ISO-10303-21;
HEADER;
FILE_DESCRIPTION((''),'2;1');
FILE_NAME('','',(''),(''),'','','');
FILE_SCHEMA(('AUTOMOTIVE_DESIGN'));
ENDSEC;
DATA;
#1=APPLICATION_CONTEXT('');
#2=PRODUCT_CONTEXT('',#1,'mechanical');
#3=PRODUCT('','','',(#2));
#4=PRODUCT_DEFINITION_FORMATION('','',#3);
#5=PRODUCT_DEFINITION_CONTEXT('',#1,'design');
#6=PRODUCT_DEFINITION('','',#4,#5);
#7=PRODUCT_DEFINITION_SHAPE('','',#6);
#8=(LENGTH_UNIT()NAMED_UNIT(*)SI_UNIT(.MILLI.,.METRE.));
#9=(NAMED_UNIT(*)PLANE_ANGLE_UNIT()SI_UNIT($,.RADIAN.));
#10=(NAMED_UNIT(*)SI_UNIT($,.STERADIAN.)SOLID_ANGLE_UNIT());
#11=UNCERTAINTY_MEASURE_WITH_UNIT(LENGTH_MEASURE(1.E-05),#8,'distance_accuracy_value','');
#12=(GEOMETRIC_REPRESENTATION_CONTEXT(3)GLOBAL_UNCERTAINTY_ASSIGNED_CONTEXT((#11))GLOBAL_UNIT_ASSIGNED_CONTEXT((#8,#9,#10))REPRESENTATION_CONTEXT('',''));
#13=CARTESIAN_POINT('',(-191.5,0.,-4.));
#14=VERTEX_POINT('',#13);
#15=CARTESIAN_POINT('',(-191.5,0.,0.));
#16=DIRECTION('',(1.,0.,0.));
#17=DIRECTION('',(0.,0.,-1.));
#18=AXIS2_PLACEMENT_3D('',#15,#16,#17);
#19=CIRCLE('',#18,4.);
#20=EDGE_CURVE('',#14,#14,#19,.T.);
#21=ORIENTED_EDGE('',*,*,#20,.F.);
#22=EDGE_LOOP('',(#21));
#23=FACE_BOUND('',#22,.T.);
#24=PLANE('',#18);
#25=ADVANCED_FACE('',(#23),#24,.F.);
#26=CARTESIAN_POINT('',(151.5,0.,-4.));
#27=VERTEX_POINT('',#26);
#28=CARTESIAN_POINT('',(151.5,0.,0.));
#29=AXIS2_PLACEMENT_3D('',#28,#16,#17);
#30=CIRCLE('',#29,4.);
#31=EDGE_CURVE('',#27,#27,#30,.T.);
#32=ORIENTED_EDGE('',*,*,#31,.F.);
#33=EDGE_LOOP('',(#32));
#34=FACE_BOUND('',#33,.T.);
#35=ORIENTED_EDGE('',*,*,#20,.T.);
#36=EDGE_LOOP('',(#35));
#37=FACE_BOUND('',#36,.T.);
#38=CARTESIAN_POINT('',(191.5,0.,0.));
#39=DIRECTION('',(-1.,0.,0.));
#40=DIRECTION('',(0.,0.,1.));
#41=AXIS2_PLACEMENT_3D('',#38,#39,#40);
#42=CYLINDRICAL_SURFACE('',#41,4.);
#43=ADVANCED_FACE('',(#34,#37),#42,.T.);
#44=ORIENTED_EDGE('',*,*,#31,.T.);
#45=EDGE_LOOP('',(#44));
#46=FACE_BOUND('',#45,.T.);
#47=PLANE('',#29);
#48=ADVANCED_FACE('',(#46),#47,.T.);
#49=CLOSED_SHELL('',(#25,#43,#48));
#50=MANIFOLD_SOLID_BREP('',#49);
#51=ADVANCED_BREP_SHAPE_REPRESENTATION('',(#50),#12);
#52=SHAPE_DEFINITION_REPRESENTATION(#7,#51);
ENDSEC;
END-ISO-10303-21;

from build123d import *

# Parameters (mm, degrees)
SKETCH_1_R          = 4
EXTRUDE_1_DEPTH     = 191.5
SKETCH_4_R          = 4
CUT_EXTRUDE_2_DEPTH = 40


with BuildPart() as part:
    # 草图1 → 凸台-拉伸1 (new, symmetric)
    with BuildSketch(Plane(origin=(0, 0, 0), x_dir=(0, 0, -1), z_dir=(1, 0, 0))):
        Circle(SKETCH_1_R)
    extrude(amount=EXTRUDE_1_DEPTH, both=True)

    # 草图4 → 切除-拉伸2 (cut)
    with BuildSketch(Plane(origin=(191.5, 0, 0), x_dir=(0, 0, -1), z_dir=(1, 0, 0))):
        Circle(SKETCH_4_R)
    extrude(amount=-CUT_EXTRUDE_2_DEPTH, mode=Mode.SUBTRACT)


solid = part.part
